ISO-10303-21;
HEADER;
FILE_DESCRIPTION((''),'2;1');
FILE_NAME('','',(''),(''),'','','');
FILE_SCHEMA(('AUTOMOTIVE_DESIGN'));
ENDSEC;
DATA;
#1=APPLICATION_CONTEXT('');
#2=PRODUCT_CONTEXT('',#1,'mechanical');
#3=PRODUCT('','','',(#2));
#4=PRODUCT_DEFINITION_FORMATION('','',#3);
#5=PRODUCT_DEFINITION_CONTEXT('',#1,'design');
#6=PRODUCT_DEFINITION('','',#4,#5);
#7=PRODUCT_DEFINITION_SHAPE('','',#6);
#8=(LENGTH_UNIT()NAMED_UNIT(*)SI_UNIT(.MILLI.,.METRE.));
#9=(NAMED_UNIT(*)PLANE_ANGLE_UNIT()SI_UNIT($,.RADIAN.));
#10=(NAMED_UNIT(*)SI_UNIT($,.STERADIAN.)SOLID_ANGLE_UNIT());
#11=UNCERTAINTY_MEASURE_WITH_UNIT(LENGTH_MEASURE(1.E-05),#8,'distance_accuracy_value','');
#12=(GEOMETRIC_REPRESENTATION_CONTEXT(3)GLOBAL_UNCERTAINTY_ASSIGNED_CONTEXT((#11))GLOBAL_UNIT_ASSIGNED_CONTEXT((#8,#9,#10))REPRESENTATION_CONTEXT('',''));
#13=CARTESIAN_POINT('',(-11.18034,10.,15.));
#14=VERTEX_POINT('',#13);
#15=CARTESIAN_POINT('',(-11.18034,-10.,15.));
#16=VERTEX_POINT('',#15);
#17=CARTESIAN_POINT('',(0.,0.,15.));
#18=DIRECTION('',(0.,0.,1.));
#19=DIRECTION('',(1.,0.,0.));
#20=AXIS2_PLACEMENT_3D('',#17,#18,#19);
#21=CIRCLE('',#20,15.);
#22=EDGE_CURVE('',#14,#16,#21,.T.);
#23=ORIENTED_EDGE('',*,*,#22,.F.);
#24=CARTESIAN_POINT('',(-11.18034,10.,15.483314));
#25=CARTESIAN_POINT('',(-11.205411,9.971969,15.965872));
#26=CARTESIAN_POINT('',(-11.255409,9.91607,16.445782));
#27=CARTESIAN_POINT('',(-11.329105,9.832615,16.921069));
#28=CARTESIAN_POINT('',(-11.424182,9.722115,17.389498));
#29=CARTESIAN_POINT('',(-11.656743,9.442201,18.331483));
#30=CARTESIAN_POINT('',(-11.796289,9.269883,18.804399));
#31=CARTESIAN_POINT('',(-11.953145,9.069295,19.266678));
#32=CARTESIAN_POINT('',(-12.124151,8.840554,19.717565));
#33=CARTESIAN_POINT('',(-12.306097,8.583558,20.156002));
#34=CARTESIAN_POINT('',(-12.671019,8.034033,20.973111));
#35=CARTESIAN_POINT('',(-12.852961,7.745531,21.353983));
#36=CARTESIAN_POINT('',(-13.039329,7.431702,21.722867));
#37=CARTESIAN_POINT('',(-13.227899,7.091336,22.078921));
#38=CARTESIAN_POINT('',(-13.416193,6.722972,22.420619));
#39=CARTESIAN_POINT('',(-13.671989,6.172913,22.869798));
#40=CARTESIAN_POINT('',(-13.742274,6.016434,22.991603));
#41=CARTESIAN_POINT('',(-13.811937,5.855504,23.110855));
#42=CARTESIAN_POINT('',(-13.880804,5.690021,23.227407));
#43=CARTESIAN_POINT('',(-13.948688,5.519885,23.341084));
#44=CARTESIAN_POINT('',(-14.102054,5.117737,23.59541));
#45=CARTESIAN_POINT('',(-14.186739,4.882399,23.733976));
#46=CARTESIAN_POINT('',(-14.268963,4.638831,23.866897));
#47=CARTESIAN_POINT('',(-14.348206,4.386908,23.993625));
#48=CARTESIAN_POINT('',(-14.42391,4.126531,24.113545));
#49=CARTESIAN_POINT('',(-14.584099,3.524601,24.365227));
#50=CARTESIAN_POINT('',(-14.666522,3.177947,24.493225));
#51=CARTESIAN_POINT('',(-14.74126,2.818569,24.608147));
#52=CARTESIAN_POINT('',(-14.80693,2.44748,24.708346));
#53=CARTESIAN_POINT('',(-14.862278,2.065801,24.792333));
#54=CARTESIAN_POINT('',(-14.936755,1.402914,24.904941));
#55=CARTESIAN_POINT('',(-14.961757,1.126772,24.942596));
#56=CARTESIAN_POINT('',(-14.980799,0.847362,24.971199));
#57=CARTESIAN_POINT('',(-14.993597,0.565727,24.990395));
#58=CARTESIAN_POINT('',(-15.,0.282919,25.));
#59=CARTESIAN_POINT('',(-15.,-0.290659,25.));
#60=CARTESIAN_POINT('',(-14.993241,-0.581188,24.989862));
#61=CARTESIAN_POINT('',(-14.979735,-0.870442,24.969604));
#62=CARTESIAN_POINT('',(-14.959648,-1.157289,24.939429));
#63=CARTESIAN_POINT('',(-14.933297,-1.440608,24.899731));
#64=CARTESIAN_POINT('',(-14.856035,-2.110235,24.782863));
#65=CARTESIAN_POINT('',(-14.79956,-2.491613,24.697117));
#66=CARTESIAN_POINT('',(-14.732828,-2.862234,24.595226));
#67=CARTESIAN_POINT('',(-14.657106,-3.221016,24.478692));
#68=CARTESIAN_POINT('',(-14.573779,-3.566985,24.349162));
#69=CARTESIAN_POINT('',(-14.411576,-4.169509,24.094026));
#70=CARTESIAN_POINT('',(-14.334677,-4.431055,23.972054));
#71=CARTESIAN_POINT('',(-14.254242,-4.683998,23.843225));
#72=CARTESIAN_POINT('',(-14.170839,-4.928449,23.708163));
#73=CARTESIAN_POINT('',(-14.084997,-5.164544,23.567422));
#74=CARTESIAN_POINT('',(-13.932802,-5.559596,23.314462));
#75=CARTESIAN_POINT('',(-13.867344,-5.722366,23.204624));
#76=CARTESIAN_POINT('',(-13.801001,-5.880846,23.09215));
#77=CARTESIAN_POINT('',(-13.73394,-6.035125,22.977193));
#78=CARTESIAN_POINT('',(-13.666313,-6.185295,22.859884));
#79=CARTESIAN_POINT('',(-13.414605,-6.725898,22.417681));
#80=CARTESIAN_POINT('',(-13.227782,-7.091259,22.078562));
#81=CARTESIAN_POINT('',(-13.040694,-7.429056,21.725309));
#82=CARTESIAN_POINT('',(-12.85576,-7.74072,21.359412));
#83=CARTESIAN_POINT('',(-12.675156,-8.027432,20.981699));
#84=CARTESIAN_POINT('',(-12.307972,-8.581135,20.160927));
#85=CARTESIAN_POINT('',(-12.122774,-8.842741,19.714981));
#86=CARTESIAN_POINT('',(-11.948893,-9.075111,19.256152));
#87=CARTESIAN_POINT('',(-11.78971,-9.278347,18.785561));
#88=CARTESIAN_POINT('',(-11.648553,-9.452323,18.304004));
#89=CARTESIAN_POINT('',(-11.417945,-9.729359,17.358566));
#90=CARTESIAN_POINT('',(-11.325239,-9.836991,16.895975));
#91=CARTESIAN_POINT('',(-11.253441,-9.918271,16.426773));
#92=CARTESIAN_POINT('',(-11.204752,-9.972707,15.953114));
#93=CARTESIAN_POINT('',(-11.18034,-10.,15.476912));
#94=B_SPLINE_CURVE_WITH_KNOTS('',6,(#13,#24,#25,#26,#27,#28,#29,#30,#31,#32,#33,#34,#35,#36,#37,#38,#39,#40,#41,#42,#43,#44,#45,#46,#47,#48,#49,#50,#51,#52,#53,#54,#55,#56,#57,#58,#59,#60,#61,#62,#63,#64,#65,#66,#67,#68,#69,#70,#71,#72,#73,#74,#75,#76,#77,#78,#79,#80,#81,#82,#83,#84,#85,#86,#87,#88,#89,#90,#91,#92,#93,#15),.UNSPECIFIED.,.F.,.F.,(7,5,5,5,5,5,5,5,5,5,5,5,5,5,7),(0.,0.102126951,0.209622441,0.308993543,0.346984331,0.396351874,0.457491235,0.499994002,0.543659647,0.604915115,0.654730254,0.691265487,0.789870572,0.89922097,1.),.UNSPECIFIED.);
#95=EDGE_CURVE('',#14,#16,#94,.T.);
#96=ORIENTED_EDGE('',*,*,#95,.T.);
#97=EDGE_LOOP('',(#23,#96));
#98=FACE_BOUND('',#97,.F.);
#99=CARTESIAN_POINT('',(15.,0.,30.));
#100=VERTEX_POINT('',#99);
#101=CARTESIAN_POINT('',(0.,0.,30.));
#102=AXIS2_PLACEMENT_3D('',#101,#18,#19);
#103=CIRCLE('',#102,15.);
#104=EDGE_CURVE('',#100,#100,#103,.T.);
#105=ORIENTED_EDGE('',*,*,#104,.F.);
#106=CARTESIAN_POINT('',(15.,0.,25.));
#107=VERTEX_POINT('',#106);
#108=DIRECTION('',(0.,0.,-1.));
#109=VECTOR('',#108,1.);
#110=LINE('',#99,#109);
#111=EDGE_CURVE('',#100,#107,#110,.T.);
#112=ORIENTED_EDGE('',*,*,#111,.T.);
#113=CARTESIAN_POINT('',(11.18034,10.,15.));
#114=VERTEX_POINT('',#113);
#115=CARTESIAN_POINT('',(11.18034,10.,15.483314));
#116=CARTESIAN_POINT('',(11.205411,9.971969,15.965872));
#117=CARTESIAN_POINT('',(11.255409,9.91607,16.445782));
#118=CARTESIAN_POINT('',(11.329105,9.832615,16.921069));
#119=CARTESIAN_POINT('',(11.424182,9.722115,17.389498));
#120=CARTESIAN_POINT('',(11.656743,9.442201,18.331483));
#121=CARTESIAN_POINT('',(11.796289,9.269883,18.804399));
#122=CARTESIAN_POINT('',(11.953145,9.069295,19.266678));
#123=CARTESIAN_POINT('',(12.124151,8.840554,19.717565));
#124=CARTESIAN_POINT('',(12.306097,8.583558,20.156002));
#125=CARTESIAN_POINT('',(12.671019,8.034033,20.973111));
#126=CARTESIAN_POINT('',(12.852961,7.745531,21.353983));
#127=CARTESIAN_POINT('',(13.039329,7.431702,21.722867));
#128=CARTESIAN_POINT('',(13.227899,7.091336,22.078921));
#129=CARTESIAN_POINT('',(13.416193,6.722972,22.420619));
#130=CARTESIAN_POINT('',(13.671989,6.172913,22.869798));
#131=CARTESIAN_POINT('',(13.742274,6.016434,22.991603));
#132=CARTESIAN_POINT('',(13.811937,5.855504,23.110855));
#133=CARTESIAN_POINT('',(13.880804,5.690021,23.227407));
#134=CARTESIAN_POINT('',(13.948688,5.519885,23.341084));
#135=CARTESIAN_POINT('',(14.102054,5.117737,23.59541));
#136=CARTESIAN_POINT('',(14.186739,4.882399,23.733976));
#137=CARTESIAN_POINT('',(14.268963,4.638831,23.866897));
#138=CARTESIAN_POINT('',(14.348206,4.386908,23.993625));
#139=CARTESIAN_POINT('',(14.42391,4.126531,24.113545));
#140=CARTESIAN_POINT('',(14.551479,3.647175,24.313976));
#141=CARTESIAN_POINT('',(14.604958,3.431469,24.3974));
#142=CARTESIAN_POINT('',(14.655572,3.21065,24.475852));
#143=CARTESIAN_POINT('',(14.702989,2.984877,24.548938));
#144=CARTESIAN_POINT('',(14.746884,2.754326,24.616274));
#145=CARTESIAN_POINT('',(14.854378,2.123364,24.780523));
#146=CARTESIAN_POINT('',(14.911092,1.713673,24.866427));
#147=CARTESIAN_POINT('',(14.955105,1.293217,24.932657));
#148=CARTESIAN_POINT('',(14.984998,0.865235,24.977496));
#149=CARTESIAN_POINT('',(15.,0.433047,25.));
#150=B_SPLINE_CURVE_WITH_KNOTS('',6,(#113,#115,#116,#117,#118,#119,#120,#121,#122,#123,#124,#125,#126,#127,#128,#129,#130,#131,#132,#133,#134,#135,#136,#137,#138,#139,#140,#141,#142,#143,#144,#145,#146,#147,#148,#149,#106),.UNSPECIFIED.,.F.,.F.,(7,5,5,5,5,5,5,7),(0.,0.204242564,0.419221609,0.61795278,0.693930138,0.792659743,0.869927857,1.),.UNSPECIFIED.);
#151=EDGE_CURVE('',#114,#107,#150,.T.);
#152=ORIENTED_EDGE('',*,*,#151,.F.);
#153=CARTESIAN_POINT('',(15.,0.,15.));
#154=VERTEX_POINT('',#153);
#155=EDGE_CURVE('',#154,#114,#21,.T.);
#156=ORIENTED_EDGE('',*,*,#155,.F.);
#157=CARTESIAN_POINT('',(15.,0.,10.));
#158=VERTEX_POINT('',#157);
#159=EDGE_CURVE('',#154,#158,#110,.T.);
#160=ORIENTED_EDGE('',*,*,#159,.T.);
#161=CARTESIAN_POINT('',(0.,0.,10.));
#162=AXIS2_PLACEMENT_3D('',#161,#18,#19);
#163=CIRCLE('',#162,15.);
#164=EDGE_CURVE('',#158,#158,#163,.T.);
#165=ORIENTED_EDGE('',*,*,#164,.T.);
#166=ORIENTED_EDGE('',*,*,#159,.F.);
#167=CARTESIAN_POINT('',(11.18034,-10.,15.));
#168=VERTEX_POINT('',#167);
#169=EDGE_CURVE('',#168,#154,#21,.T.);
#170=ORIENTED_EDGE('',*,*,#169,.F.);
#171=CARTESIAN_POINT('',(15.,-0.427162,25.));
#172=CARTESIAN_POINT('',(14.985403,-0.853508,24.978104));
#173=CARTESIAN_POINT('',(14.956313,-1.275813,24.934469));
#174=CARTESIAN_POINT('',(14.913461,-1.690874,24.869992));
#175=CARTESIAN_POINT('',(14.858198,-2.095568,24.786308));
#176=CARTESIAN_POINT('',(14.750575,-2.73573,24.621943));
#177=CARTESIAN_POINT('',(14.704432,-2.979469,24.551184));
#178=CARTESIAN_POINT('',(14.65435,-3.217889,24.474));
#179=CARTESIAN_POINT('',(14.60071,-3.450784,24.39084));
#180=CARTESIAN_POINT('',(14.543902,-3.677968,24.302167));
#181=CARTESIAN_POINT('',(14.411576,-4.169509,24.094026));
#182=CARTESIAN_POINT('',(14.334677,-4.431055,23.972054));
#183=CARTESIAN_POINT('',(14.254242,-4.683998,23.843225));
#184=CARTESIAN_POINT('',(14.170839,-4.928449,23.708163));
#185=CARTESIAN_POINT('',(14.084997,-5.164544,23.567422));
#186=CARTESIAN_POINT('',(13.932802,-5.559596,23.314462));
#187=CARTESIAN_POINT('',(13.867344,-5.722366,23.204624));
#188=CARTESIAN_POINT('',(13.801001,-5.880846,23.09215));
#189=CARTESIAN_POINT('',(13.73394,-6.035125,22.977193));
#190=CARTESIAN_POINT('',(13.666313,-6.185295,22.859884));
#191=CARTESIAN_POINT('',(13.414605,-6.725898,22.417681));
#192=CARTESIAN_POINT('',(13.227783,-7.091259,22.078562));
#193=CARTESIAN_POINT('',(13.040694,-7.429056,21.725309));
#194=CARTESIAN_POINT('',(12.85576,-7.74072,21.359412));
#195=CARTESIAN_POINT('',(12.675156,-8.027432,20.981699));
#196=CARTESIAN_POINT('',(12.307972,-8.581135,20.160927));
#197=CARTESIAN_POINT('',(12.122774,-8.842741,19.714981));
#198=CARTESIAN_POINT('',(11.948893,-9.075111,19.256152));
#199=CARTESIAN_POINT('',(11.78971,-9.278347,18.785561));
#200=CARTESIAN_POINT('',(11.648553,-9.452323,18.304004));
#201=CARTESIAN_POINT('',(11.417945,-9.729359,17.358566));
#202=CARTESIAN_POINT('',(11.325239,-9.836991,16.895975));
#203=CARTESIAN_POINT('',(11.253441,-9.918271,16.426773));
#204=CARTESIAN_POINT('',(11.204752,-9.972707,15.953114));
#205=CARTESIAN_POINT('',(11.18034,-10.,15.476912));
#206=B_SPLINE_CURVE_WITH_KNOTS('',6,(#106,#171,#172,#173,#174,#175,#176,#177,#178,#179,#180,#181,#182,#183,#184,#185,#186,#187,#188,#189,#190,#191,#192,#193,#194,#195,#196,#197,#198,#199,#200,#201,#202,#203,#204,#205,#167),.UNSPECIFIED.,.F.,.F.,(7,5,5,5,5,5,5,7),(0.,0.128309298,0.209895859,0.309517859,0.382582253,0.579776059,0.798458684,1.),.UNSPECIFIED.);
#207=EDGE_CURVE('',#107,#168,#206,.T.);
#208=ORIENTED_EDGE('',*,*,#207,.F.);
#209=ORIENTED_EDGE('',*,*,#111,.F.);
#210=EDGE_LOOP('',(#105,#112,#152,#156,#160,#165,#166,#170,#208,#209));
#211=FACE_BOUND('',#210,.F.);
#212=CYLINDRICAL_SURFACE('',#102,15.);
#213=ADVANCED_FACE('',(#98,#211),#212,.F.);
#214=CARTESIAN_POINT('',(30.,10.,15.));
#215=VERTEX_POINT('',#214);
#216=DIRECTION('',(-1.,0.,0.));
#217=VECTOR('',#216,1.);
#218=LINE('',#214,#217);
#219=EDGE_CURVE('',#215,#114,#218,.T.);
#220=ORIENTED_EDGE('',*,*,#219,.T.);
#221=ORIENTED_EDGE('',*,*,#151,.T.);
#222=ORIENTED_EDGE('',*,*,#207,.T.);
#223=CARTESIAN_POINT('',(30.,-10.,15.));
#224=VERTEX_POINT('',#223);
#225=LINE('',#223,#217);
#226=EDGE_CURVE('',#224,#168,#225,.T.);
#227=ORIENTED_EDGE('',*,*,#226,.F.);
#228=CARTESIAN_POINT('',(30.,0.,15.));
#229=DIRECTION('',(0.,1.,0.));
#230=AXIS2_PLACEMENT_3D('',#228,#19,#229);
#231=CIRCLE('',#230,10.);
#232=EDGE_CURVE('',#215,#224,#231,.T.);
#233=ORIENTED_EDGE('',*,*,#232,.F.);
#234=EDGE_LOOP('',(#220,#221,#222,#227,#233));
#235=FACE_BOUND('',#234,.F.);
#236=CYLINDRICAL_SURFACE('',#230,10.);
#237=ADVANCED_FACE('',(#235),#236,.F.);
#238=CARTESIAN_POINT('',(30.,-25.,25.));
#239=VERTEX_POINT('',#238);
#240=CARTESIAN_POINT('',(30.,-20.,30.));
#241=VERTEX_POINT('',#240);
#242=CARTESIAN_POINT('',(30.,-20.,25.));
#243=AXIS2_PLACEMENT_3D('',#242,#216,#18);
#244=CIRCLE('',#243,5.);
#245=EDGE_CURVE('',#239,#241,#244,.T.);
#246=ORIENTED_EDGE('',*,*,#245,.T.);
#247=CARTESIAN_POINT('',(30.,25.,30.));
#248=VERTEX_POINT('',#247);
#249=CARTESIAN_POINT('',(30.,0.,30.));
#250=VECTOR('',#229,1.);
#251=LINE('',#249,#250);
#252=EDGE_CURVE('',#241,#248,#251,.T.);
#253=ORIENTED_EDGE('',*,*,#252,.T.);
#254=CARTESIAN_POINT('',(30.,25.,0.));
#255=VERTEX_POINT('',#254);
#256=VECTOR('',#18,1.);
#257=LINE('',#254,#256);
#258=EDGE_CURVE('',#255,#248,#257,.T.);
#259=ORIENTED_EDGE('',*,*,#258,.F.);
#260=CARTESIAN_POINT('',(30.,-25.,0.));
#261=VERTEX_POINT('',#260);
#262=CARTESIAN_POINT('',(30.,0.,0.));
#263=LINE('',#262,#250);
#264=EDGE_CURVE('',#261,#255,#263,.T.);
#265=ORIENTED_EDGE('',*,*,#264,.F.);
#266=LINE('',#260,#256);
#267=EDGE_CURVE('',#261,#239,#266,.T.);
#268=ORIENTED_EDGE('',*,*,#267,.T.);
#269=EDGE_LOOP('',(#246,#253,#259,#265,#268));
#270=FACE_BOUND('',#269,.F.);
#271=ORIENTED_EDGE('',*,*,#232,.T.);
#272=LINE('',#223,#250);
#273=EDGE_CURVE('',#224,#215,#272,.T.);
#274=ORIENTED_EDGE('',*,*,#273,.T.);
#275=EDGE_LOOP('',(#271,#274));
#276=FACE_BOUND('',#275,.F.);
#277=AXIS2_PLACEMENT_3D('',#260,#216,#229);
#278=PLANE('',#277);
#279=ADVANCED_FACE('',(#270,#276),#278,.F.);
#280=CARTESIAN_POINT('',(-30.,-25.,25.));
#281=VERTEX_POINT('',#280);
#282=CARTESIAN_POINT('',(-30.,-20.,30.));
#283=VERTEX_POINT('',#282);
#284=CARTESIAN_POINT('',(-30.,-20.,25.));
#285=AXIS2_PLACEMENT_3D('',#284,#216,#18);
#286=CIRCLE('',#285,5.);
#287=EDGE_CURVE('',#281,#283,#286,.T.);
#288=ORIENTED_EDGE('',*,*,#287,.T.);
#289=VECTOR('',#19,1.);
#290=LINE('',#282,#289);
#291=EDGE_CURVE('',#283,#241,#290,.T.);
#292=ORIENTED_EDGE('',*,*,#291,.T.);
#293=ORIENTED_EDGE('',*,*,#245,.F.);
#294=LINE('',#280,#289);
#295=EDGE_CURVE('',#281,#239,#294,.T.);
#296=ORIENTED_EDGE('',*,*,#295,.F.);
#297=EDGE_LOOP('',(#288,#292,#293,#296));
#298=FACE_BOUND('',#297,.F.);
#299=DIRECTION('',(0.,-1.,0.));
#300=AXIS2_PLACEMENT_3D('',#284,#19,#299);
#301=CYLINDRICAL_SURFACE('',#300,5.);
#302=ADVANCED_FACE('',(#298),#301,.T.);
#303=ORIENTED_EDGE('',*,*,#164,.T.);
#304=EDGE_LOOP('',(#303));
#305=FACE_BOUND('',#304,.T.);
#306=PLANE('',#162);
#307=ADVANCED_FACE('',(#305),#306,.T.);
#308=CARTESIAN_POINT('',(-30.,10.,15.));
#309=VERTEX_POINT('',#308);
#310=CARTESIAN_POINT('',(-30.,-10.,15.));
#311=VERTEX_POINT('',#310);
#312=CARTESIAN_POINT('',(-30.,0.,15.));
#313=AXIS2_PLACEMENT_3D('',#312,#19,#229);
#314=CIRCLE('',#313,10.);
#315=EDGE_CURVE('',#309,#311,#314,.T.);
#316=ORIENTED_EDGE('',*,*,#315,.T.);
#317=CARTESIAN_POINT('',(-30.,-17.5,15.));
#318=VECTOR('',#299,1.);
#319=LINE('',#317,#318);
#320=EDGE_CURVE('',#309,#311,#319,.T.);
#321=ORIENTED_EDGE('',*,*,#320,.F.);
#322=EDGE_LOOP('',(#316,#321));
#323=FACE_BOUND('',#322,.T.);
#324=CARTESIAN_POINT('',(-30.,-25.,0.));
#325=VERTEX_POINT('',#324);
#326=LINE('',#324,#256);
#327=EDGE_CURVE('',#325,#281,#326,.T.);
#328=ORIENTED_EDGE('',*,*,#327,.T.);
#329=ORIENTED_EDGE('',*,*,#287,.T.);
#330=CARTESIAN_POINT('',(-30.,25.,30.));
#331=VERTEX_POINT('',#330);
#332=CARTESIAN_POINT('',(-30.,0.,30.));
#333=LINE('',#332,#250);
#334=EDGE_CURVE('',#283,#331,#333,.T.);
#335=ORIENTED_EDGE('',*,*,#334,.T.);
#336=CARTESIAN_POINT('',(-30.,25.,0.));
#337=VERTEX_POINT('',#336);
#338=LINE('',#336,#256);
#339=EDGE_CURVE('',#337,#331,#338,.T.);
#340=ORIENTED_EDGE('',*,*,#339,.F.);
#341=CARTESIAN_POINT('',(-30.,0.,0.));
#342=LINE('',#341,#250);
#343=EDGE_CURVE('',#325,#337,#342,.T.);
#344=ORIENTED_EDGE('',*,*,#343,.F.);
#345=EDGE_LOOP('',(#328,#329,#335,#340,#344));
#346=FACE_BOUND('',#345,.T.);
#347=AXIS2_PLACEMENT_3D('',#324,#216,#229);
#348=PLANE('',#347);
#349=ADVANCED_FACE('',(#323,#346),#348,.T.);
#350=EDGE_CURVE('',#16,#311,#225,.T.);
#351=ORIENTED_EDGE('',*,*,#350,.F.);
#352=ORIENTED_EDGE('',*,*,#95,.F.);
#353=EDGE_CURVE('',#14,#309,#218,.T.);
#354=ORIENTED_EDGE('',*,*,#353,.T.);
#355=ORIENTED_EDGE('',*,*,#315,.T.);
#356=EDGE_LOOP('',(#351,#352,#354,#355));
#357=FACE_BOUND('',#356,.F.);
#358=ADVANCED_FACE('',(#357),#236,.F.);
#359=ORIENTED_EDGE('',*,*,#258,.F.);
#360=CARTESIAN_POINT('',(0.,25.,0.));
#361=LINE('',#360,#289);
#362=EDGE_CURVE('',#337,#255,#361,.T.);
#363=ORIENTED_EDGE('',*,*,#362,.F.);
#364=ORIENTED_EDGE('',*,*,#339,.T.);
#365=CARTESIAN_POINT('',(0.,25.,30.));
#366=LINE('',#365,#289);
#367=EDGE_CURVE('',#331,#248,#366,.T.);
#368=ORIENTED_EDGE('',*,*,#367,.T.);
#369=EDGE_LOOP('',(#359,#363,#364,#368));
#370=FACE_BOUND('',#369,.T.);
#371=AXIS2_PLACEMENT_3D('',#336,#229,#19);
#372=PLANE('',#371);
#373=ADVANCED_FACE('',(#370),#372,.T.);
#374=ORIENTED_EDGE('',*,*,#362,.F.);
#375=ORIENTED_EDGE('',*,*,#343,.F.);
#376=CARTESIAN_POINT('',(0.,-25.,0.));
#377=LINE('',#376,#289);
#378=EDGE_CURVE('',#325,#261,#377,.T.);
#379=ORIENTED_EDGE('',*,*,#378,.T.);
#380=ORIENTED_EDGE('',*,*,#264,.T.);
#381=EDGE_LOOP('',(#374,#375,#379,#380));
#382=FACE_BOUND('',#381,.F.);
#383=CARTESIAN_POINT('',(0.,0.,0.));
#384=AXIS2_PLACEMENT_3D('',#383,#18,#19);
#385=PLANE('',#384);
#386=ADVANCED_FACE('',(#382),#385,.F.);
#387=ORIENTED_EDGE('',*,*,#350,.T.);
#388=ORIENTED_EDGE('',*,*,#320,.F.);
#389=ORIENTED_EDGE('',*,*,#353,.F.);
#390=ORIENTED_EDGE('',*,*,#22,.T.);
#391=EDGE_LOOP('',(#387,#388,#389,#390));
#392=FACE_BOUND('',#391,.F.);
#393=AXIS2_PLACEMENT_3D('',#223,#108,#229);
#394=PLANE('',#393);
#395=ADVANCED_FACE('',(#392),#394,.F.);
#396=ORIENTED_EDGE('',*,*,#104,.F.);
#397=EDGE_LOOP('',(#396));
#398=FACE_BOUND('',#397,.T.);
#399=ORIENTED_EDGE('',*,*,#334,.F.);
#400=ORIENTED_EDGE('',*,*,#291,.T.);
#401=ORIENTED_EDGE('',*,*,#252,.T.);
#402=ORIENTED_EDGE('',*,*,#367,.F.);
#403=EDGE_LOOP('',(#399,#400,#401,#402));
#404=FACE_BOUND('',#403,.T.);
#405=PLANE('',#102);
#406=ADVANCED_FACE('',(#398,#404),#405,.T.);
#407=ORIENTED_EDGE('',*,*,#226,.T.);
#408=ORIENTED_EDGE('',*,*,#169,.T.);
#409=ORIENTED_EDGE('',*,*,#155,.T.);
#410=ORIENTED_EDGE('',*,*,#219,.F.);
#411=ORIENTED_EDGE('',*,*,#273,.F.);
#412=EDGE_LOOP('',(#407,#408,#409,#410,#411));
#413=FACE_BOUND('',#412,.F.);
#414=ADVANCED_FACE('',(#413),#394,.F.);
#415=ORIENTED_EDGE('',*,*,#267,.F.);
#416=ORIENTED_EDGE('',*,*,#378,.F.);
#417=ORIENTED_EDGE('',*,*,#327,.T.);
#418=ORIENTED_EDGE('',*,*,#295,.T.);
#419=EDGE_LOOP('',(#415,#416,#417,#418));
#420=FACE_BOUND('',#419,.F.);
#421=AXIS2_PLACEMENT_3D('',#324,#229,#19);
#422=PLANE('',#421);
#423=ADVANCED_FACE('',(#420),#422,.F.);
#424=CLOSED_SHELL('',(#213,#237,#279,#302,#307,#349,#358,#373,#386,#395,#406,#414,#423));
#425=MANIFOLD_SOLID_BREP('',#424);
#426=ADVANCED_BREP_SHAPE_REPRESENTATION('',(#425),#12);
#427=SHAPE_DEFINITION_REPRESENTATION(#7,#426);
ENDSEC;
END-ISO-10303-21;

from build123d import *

# Parameters (mm, degrees)
SKETCH_W        = 60
SKETCH_H        = 50
PAD_DEPTH       = 30
SKETCH001_R     = 15
POCKET_DEPTH    = 20
POCKET001_DEPTH = 60.001
FILLET_R        = 5


with BuildPart() as part:
    # Sketch → Pad (new body)
    with BuildSketch(Plane.XY):
        Rectangle(SKETCH_W, SKETCH_H)
    extrude(amount=PAD_DEPTH)

    # Sketch001 (on Face6 of Pad) → Pocket (cut)
    with BuildSketch(Plane.XY.offset(30)):
        Circle(SKETCH001_R)
    extrude(amount=-POCKET_DEPTH, mode=Mode.SUBTRACT)

    # Sketch002 (on Face3 of Pocket) → Pocket001 (cut, through all)
    with BuildSketch(Plane.YZ.offset(30)):
        with BuildLine():
            ThreePointArc((10, 15), (0, 25), (-10, 15))
            Line((-10, 15), (10, 15))
        make_face()
    extrude(amount=-POCKET001_DEPTH, mode=Mode.SUBTRACT)

    # Fillet
    fillet_edges = [part.edges().sort_by_distance(p)[0] for p in [
        (0, -25, 30),
    ]]
    fillet(fillet_edges, radius=FILLET_R)


solid = part.part
